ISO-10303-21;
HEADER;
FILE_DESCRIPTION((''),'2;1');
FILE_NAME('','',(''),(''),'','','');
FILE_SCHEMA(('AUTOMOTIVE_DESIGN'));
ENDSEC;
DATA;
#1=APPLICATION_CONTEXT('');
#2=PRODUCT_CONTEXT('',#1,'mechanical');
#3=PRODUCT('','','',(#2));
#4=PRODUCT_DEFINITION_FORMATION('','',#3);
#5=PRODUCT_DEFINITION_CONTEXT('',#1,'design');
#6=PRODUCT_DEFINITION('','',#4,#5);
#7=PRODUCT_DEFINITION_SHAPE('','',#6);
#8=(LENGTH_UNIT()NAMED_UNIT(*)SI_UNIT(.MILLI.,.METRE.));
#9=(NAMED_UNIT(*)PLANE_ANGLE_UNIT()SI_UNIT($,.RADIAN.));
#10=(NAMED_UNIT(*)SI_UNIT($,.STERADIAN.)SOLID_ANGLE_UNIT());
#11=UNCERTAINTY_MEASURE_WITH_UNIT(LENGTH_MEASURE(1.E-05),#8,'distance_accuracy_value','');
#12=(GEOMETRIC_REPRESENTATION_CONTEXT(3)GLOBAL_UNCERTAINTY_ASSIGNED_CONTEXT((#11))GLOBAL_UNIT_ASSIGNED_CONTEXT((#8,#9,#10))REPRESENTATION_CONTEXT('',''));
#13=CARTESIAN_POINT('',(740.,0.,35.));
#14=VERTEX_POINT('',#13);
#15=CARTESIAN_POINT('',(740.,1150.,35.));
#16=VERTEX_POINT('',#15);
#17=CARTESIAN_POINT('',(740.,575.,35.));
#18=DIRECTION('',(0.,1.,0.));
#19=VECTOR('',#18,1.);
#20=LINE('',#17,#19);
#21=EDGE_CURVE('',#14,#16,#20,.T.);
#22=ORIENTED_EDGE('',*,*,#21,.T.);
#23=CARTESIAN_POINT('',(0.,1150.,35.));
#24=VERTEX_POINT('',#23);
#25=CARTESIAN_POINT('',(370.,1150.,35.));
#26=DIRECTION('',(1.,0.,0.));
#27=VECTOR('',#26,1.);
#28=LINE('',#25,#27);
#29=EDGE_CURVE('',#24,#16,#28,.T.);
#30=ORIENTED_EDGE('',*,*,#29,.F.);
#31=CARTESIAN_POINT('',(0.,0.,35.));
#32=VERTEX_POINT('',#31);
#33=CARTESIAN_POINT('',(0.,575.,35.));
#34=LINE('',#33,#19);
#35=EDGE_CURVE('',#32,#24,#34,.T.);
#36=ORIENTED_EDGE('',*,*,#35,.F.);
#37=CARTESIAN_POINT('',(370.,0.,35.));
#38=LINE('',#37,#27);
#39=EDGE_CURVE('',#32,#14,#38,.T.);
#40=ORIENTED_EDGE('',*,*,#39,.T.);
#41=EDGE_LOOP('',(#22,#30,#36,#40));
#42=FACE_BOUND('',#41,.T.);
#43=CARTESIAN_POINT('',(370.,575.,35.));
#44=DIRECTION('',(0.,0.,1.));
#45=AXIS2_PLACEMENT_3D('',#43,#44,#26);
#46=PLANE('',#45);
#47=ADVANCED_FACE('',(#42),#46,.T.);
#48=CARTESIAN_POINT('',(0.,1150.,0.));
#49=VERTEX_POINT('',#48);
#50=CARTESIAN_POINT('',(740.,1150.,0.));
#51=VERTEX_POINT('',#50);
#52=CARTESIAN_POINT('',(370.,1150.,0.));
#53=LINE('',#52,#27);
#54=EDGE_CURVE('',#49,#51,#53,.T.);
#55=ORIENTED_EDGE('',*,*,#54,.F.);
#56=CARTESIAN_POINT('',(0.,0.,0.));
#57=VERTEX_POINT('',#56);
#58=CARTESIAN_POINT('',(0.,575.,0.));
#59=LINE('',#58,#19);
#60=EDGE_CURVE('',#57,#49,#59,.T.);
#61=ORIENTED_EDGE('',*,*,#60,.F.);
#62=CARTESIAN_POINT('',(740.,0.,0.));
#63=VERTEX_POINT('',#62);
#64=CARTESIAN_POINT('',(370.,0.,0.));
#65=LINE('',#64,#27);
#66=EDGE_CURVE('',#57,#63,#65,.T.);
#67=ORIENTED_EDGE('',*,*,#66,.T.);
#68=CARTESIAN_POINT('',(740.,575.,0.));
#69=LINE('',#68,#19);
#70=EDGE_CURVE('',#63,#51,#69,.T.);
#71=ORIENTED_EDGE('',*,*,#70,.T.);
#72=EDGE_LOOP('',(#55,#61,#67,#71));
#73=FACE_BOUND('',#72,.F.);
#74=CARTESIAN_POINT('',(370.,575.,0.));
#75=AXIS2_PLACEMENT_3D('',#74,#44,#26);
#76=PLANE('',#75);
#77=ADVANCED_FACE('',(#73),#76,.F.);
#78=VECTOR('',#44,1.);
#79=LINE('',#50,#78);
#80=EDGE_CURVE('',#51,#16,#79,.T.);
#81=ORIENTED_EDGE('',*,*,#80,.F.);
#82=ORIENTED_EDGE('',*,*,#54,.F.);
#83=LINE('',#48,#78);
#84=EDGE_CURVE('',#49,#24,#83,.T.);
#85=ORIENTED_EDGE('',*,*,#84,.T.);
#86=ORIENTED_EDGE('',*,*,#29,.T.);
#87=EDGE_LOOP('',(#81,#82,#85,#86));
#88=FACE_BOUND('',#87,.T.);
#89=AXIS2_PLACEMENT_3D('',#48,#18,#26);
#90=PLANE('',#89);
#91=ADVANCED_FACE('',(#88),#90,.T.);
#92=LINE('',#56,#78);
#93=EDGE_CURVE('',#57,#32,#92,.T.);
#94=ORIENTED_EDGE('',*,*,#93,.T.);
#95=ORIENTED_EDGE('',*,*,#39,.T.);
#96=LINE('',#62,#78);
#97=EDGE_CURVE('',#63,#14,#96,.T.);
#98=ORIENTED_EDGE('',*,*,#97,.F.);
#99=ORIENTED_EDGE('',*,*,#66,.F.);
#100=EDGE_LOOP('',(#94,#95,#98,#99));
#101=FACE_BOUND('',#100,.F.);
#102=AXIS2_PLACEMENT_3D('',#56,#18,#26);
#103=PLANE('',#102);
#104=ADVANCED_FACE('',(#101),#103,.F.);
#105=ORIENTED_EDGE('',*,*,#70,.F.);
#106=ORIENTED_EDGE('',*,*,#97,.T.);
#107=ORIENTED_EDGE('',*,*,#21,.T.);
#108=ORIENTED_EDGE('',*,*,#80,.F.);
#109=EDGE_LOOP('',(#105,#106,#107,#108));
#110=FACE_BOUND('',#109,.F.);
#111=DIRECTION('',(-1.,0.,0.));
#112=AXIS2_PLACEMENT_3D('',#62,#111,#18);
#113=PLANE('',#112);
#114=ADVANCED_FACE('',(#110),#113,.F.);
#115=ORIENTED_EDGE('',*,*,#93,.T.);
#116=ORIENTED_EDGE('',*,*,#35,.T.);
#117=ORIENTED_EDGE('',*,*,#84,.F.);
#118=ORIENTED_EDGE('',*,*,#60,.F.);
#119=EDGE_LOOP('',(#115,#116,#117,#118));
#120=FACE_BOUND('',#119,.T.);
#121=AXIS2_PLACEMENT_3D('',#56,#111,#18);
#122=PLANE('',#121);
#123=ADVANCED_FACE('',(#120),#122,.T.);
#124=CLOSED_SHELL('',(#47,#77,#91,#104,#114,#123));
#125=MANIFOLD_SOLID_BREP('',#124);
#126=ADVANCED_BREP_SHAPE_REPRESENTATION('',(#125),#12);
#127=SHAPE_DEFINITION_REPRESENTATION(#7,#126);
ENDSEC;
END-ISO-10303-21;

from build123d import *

# Parameters (mm, degrees)
SKETCH_W      = 740
SKETCH_H      = 1150
EXTRUDE_DEPTH = 35


with BuildPart() as part:
    # Sketch → Extrude (new body)
    with BuildSketch(Plane.XY):
        with Locations((370, 575)):
            Rectangle(SKETCH_W, SKETCH_H)
    extrude(amount=EXTRUDE_DEPTH)


solid = part.part
